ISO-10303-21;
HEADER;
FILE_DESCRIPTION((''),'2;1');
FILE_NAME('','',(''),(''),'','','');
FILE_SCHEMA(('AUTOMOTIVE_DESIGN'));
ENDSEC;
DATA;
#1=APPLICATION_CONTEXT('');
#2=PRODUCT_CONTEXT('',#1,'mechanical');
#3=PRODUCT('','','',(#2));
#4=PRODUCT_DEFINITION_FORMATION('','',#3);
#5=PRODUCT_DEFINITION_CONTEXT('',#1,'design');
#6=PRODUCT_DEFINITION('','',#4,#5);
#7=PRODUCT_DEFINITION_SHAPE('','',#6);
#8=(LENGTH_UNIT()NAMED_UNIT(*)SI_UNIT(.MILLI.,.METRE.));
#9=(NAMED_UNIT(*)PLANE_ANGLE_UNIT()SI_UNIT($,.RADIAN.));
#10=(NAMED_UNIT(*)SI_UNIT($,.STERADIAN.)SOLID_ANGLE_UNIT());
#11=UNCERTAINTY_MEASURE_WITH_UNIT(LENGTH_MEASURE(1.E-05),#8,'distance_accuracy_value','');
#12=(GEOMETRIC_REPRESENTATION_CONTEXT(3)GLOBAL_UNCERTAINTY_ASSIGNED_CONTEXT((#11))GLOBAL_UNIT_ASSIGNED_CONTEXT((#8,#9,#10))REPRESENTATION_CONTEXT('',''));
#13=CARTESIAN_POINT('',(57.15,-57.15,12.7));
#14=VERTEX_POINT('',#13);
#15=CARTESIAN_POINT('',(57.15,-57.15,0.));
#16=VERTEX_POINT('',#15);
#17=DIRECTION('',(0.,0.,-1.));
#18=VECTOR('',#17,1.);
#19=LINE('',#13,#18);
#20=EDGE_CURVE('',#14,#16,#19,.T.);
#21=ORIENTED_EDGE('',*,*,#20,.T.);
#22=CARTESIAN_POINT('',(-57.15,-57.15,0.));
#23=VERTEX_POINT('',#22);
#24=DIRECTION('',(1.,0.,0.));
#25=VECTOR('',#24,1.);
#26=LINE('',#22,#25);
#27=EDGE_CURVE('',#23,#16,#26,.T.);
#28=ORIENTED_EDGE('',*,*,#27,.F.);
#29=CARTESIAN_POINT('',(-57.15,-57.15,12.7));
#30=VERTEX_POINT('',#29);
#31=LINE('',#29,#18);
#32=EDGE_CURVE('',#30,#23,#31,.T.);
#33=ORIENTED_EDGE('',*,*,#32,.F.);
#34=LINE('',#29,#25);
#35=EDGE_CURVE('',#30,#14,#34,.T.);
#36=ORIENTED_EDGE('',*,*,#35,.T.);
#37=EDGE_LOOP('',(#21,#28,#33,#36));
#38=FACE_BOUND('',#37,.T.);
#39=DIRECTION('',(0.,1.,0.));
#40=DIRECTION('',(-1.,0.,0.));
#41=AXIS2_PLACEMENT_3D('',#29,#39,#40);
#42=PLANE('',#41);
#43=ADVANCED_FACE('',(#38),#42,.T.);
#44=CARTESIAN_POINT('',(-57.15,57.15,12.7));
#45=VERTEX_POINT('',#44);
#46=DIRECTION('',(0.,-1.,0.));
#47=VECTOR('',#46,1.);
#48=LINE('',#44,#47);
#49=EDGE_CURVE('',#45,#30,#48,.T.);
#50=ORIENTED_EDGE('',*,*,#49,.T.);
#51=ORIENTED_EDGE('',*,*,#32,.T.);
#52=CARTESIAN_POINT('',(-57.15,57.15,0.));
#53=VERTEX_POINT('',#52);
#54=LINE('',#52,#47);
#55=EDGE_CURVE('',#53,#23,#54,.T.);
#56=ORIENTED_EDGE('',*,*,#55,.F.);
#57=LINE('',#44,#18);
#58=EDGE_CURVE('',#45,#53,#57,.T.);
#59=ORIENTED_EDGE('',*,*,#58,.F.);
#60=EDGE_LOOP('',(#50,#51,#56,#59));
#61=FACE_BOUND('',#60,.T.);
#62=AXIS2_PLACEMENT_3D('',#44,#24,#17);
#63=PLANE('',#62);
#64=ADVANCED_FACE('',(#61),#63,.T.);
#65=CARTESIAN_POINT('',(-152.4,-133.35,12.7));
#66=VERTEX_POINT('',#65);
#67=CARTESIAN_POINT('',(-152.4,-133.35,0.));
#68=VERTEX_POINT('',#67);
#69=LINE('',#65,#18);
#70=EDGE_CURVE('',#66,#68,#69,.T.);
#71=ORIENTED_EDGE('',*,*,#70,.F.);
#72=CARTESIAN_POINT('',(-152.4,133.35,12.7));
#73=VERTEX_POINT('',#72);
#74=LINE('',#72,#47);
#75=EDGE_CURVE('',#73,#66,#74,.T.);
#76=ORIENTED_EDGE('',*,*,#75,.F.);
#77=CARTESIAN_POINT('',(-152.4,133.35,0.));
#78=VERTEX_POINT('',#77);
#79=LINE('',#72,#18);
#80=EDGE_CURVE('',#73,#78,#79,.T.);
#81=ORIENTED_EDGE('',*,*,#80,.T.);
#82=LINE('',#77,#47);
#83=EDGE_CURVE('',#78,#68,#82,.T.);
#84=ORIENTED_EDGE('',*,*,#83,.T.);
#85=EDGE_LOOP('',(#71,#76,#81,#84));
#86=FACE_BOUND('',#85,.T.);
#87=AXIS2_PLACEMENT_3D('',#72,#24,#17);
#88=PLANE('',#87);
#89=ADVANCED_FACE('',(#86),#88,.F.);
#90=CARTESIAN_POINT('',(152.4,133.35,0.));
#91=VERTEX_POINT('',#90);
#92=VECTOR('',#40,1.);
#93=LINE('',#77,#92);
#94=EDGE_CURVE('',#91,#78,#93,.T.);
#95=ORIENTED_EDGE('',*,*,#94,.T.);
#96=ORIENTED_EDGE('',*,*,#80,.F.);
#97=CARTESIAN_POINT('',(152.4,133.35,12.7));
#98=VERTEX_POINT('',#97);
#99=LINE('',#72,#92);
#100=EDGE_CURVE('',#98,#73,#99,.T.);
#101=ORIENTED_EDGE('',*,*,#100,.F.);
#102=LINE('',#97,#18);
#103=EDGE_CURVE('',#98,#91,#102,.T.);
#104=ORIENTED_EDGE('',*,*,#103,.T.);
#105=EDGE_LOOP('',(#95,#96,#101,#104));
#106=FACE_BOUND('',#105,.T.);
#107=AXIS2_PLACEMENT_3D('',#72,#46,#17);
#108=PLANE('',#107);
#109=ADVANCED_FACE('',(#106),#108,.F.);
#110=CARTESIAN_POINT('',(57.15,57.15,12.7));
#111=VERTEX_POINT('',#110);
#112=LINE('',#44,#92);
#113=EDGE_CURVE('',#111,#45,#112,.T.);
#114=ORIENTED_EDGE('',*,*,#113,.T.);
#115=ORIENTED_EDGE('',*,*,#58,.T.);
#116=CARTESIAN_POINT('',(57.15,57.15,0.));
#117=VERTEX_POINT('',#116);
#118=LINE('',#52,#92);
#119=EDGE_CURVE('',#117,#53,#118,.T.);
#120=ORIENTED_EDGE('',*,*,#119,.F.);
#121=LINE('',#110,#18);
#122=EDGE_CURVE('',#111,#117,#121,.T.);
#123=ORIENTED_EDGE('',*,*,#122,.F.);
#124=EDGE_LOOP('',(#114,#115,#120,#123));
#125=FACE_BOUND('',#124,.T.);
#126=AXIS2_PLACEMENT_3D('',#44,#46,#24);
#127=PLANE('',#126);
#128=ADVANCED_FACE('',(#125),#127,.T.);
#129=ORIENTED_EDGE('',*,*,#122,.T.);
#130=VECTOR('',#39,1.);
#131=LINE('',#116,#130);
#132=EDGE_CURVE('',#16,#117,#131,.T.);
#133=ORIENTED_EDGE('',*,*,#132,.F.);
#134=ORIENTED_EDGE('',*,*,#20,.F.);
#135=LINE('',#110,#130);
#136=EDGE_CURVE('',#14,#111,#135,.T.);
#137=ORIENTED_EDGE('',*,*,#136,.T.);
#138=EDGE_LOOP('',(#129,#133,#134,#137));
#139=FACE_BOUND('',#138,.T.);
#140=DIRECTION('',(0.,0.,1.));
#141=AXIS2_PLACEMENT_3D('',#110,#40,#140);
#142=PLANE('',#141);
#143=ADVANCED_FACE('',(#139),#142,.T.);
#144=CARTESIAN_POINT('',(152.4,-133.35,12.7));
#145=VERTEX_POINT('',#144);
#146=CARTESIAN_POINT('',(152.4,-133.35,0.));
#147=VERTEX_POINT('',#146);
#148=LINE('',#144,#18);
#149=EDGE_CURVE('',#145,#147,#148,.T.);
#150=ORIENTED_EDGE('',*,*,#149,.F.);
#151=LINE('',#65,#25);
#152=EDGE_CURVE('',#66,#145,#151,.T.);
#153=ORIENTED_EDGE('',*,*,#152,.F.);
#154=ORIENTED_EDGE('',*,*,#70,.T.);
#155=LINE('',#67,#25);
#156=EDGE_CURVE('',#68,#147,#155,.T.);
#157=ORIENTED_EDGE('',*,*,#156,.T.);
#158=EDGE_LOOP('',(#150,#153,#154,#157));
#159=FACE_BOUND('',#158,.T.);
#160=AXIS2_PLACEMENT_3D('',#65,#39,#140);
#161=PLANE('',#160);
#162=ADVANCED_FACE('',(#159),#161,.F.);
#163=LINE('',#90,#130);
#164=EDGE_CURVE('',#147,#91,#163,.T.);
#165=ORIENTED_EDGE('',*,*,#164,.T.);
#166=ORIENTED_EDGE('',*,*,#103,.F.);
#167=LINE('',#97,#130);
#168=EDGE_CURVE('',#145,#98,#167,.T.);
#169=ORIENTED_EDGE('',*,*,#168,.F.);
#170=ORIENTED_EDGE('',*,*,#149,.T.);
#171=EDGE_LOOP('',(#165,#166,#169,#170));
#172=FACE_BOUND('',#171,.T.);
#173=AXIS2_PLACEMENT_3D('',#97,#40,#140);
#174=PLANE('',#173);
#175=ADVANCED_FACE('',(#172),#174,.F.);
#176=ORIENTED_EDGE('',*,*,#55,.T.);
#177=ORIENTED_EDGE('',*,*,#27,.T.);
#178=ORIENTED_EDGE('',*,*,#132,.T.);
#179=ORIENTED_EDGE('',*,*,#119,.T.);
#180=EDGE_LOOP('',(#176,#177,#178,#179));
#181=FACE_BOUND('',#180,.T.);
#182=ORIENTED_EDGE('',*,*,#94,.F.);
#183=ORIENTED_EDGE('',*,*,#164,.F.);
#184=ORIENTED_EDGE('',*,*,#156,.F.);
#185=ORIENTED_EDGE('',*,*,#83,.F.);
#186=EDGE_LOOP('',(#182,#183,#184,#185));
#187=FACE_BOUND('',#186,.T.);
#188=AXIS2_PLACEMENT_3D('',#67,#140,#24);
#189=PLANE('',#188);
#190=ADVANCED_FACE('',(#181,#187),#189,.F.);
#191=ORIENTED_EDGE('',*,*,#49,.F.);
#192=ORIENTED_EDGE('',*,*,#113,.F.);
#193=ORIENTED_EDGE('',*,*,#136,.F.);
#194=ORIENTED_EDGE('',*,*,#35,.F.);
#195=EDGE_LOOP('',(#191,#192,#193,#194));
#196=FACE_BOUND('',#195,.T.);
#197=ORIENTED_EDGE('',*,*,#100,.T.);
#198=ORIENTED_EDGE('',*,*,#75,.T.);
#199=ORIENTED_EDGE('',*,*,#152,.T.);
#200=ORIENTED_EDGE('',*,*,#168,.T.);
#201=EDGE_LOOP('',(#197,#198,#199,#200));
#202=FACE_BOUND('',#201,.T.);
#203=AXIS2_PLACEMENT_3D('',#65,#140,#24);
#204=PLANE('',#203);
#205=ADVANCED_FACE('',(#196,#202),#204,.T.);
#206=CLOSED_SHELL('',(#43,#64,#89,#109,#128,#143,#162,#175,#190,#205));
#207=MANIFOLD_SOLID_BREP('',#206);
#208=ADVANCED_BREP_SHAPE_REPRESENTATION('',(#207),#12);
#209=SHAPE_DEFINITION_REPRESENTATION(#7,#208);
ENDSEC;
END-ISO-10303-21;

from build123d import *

# Parameters (mm, degrees)
SKETCH1_W      = 304.8
SKETCH1_H      = 266.7
SKETCH1_W_2    = 114.3
SKETCH1_H_2    = 114.3
EXTRUDE1_DEPTH = 12.7


with BuildPart() as part:
    # Sketch1 → Extrude1 (new body)
    with BuildSketch(Plane.XY):
        Rectangle(SKETCH1_W, SKETCH1_H)
        Rectangle(SKETCH1_W_2, SKETCH1_H_2, mode=Mode.SUBTRACT)
    extrude(amount=EXTRUDE1_DEPTH)


solid = part.part
